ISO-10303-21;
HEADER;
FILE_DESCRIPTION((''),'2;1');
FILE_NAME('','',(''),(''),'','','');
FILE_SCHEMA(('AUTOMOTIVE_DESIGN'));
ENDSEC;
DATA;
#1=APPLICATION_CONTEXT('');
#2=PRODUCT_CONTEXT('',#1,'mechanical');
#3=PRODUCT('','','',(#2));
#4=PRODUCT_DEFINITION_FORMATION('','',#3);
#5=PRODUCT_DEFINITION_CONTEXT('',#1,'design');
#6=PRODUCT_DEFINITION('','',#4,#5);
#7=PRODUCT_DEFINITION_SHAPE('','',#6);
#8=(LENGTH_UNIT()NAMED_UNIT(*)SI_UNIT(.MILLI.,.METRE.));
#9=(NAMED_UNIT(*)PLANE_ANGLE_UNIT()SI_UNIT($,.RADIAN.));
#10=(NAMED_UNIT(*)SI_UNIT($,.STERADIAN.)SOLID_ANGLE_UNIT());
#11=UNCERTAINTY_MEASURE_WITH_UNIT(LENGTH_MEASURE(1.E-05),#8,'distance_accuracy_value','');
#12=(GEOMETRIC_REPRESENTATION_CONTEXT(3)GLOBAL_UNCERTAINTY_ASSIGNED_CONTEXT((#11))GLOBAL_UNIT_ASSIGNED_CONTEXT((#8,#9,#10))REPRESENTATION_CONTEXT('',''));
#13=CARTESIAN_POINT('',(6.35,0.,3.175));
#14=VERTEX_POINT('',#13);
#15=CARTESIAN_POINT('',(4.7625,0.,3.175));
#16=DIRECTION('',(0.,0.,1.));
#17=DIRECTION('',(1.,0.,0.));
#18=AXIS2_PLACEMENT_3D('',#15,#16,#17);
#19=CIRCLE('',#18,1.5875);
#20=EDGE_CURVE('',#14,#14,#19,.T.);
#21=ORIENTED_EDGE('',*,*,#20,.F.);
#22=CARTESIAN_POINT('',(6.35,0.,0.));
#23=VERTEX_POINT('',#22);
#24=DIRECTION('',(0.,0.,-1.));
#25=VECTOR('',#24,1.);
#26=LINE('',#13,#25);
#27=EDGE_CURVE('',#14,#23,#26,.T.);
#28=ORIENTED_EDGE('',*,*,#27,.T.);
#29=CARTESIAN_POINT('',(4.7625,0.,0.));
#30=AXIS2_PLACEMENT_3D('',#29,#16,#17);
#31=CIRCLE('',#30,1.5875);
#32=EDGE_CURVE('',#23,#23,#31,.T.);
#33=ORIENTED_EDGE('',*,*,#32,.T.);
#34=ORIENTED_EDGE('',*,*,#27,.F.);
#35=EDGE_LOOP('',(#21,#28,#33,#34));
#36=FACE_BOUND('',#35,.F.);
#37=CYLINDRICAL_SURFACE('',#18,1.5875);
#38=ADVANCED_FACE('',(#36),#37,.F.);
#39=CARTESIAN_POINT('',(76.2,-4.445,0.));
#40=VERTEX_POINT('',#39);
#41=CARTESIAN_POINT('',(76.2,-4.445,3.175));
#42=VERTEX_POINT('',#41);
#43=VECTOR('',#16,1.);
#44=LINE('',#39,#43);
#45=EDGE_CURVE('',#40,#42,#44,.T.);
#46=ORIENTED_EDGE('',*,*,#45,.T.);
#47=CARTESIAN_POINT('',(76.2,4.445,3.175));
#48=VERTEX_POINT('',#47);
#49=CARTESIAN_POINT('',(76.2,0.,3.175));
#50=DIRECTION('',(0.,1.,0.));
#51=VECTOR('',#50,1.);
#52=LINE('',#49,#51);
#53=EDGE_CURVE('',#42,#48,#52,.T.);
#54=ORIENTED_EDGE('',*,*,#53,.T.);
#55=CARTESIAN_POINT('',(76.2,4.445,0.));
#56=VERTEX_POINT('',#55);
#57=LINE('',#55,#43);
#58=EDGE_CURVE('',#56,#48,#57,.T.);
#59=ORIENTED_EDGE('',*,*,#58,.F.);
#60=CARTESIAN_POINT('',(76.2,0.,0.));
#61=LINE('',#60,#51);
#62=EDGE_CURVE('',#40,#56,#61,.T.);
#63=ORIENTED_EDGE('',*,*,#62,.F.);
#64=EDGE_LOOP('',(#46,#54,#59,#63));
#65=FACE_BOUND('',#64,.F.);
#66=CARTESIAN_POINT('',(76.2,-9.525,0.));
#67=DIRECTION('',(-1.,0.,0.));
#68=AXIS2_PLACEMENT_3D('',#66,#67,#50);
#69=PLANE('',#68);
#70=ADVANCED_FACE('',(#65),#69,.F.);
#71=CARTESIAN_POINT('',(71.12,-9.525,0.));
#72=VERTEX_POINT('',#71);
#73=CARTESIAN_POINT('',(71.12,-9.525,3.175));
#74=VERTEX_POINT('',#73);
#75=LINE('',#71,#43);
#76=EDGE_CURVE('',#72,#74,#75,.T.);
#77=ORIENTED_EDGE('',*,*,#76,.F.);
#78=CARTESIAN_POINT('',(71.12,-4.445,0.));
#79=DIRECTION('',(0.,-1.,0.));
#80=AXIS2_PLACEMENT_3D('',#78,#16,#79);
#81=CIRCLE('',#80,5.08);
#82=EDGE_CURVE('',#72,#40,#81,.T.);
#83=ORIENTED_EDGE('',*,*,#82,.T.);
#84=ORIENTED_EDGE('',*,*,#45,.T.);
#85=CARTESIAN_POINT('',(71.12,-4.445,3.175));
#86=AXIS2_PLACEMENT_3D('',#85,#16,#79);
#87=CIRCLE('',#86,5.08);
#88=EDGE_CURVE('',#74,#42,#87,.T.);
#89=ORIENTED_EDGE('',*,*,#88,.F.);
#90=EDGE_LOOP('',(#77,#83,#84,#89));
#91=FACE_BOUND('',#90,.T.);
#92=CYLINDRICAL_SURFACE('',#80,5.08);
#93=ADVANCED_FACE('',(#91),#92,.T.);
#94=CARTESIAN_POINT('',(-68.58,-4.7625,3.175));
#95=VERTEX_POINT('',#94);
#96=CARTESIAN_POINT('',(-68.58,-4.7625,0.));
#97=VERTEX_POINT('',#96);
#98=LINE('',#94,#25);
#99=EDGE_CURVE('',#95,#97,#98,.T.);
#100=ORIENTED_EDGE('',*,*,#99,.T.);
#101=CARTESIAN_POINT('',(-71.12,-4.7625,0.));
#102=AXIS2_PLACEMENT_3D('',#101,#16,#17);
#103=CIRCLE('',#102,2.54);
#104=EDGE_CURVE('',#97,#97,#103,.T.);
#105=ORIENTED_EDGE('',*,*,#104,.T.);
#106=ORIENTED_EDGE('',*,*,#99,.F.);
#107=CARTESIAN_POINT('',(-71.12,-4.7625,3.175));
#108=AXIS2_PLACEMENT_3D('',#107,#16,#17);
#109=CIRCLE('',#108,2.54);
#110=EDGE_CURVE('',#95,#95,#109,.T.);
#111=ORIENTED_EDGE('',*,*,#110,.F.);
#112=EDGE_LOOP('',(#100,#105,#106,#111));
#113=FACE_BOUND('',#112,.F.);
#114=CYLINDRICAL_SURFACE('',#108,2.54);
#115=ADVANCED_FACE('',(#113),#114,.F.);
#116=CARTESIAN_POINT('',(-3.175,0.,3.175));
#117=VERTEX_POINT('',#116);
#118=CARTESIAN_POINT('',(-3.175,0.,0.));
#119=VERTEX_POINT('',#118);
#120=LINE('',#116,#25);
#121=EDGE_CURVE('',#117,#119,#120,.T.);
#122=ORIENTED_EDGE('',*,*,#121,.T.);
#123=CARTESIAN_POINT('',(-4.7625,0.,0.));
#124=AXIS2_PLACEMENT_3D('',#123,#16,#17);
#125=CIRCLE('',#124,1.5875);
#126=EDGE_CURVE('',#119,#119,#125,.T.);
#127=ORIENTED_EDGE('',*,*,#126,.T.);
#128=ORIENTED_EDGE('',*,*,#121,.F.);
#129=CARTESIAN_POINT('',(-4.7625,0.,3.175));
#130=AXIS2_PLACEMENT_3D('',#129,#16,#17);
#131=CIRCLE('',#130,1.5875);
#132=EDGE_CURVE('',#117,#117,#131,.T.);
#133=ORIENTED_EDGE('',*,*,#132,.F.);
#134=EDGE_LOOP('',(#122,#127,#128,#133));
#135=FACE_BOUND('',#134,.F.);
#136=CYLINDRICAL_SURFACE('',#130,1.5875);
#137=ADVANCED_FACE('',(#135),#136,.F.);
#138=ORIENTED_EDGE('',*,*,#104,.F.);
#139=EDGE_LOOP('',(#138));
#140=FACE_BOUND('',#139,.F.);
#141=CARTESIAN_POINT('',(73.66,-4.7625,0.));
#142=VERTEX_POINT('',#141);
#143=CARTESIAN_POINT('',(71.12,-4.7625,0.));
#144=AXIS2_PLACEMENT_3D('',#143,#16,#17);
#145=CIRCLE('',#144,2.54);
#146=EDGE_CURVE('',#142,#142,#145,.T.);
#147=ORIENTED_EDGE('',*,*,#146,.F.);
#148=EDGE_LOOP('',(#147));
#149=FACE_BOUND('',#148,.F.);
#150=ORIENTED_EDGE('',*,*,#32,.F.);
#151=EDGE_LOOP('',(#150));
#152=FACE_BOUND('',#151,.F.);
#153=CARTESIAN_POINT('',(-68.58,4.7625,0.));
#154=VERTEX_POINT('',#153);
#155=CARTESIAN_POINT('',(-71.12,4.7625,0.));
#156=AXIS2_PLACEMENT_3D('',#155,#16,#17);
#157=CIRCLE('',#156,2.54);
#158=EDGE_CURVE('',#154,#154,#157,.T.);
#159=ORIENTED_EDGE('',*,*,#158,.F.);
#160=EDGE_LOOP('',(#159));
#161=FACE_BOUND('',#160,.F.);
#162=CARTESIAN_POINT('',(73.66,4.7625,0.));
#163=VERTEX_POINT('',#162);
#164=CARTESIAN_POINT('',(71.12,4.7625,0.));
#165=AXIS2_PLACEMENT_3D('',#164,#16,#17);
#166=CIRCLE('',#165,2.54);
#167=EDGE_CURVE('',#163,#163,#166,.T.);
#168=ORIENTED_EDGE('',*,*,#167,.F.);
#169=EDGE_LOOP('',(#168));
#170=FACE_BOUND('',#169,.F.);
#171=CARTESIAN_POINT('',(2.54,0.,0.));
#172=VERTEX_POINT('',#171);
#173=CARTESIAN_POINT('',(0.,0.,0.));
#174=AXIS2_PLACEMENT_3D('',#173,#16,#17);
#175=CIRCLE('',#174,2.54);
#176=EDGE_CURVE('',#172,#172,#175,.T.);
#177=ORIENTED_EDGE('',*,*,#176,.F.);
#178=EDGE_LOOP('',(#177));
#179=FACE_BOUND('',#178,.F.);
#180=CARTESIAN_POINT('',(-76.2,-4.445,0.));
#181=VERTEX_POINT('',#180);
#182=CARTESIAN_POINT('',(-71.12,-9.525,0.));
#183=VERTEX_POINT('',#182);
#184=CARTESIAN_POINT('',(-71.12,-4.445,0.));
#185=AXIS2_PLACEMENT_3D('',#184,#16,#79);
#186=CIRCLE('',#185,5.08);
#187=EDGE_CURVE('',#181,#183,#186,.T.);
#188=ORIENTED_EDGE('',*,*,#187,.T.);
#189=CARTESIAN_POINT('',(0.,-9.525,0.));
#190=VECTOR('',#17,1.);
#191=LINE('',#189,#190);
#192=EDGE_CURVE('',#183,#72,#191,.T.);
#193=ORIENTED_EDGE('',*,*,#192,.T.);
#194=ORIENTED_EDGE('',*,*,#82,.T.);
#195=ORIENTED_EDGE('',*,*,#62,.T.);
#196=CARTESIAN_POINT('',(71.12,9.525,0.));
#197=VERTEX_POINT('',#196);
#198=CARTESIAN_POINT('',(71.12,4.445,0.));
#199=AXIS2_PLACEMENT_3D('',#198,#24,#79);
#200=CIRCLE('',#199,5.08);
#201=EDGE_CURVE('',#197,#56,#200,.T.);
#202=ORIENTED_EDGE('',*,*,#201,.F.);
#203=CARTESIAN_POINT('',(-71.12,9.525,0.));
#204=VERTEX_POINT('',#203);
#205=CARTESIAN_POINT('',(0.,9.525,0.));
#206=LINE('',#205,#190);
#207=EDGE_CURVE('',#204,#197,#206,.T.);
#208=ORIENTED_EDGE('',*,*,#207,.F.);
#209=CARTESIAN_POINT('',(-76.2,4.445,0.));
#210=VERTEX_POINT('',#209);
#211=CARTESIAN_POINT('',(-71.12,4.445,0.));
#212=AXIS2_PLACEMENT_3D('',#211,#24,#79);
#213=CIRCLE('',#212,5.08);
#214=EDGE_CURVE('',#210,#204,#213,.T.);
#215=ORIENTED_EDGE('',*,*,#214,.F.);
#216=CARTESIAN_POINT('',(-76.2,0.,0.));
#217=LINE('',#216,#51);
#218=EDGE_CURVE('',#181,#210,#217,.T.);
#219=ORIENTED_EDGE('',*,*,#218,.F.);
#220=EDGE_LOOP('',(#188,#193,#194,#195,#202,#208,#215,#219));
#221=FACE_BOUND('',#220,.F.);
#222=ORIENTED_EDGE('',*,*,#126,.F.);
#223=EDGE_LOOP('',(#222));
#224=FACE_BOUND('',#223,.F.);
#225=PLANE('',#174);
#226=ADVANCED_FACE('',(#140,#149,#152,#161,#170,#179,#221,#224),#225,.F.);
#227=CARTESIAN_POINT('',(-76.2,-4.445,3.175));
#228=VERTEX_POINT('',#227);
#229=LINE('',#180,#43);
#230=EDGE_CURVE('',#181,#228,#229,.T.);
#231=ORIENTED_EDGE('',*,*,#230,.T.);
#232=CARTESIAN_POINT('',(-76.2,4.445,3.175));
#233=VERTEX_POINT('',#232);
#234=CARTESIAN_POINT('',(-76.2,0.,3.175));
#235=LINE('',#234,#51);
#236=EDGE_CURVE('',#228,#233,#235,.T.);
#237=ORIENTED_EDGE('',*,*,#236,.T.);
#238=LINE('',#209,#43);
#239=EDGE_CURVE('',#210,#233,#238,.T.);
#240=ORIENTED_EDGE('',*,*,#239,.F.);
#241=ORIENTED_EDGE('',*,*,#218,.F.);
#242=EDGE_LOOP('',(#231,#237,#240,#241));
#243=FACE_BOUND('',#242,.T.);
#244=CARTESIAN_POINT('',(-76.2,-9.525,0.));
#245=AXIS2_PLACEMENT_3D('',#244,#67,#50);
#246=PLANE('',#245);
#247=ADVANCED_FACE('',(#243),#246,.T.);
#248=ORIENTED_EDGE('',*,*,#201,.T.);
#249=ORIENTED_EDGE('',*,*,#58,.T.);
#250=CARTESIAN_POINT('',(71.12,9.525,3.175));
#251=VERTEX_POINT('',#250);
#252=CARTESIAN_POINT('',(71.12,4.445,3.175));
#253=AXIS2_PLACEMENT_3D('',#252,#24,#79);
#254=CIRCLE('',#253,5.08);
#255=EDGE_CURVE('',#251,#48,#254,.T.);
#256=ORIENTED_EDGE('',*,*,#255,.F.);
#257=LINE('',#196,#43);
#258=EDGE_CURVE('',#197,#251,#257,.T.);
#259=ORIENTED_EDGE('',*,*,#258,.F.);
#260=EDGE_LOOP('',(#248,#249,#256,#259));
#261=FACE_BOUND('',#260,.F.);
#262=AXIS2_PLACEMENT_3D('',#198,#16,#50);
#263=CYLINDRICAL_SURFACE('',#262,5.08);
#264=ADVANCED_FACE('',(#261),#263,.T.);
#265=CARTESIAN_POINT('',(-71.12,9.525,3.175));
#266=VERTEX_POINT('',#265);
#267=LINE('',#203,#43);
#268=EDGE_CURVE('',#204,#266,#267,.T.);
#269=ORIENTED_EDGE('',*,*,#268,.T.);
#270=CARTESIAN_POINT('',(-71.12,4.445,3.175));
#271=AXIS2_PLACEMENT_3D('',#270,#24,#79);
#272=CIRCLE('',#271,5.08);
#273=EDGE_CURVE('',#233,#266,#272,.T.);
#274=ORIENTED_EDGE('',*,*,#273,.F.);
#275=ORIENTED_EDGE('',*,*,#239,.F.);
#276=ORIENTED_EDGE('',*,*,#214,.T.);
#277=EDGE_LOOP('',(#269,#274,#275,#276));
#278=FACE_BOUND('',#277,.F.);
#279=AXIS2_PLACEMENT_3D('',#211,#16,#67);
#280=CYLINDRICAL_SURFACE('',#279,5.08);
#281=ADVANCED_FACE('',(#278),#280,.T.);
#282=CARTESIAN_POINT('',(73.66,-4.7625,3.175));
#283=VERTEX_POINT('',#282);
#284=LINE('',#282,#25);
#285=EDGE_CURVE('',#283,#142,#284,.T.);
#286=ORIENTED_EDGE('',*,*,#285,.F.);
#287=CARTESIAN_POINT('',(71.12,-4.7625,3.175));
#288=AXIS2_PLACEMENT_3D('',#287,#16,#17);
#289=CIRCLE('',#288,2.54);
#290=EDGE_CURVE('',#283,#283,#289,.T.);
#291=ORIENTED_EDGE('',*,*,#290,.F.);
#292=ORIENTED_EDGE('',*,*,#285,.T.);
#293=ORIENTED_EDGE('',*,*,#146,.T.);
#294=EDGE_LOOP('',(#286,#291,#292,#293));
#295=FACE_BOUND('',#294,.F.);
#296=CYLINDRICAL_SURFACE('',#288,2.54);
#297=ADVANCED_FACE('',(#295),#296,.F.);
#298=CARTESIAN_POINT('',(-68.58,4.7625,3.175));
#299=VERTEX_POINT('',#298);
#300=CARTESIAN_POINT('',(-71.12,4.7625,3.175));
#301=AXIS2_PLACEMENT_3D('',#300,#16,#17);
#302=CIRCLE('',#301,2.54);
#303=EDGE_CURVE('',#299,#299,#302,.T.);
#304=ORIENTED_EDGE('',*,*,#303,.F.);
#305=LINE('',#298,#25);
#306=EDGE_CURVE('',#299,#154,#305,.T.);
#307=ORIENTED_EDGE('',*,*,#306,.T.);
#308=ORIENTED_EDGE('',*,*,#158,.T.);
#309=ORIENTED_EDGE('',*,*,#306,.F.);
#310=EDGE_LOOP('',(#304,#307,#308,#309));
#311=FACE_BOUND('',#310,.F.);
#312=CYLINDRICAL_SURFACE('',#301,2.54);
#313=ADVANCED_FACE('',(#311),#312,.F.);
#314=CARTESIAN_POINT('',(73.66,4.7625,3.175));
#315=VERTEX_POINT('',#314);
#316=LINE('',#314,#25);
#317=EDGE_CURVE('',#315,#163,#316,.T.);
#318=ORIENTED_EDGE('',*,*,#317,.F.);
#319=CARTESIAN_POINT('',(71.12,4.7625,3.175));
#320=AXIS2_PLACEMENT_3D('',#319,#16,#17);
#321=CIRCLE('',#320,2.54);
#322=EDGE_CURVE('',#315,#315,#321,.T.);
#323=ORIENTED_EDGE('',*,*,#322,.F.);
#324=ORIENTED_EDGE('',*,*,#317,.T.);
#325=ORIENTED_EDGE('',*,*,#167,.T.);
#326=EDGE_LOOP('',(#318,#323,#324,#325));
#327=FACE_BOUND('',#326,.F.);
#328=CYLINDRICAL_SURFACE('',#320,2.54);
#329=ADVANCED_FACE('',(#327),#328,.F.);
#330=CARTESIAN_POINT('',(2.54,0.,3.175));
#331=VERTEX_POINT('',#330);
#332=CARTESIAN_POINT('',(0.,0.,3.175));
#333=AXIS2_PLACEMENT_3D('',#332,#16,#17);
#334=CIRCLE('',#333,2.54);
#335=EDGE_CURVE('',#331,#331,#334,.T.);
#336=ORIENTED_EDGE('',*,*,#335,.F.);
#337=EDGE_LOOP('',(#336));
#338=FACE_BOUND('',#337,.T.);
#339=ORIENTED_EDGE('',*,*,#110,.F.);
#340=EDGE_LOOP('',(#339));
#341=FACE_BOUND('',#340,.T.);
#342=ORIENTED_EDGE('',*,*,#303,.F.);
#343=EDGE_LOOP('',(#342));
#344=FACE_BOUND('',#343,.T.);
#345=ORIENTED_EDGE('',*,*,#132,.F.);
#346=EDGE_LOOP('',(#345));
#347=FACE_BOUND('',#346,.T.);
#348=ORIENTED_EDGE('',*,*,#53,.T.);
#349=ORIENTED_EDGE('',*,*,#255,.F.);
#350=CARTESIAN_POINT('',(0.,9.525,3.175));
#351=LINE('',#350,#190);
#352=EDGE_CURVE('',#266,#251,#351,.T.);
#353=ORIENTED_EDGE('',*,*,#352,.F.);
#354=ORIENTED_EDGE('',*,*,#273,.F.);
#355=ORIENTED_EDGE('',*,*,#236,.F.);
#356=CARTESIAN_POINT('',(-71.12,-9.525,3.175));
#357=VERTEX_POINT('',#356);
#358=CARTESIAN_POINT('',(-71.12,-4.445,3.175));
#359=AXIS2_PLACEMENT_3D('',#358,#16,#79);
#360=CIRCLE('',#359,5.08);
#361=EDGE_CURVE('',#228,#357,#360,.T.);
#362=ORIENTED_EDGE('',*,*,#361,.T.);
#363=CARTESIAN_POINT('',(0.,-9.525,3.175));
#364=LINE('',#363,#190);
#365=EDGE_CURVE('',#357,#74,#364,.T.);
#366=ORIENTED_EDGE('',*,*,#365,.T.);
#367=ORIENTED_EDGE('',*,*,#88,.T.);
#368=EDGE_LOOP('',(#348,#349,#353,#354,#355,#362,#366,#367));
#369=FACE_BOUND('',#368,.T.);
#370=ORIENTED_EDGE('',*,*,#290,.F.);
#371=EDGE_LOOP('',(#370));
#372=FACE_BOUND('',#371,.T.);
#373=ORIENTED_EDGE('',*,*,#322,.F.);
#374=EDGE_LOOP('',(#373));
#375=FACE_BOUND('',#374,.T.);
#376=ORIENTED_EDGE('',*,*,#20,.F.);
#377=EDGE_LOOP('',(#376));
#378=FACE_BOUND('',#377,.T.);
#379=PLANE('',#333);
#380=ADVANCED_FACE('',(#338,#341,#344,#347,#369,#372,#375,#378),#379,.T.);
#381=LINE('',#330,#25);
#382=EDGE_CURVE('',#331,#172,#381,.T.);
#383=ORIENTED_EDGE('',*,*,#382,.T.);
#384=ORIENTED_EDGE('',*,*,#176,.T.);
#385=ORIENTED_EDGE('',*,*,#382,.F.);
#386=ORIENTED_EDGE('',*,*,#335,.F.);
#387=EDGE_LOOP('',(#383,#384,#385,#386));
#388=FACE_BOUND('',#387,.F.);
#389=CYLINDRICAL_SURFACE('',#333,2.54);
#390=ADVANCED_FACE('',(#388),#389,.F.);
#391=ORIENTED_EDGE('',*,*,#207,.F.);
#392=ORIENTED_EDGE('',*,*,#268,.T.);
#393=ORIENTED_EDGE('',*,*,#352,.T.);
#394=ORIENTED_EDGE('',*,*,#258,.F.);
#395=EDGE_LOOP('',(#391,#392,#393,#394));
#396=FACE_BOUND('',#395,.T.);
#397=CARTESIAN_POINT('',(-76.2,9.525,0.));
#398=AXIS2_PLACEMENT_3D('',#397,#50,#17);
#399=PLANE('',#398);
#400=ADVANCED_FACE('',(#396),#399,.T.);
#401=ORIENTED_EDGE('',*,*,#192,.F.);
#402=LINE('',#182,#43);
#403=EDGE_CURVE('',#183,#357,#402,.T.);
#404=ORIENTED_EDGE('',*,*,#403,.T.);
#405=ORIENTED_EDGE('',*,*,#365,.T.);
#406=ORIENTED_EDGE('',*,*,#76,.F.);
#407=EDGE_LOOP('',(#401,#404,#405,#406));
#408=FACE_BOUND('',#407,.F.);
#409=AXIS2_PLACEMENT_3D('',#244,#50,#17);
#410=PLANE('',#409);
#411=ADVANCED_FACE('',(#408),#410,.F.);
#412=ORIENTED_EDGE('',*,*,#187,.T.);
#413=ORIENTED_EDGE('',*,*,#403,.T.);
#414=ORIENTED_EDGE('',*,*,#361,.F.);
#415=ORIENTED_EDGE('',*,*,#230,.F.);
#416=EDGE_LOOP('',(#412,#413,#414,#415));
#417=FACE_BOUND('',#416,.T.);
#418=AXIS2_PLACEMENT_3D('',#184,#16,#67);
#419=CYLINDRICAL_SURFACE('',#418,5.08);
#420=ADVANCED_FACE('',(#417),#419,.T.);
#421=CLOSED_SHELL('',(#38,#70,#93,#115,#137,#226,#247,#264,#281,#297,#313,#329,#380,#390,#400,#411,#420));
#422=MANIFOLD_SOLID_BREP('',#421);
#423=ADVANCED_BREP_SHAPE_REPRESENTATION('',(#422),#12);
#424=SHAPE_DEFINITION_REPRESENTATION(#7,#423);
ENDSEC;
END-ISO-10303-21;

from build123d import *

# Parameters (mm, degrees)
F0_W     = 152.4
F0_H     = 19.05
F1_DEPTH = 3.175
F2_R     = 2.54
F3_DEPTH = 3.176
F4_R     = 5.08
F5_R     = 2.54
F5_R_2   = 1.5875
F6_DEPTH = 3.176


with BuildPart() as f1:
    # F0 (on Top) → F1 (new body)
    with BuildSketch(Plane.XY):
        Rectangle(F0_W, F0_H)
    extrude(amount=F1_DEPTH)

    # F2 (on face) → F3 (cut, through all)
    with BuildSketch(Plane.XY.offset(3.175)):
        with Locations((-71.12, 4.7625)):
            Circle(F2_R)
        with Locations((-71.12, -4.7625)):
            Circle(F2_R)
        with Locations((71.12, 4.7625)):
            Circle(F2_R)
        with Locations((71.12, -4.7625)):
            Circle(F2_R)
    extrude(amount=-F3_DEPTH, mode=Mode.SUBTRACT)

    # F4
    f4_edges = [f1.edges().sort_by_distance(p)[0] for p in [
        (-76.2, 9.525, 1.5875),
        (-76.2, -9.525, 1.5875),
        (76.2, 9.525, 1.5875),
        (76.2, -9.525, 1.5875),
    ]]
    fillet(f4_edges, radius=F4_R)

    # F5 (on face) → F6 (cut, through all)
    with BuildSketch(Plane.XY.offset(3.175)):
        Circle(F5_R)
        with Locations((-4.7625, 0)):
            Circle(F5_R_2)
        with Locations((4.7625, 0)):
            Circle(F5_R_2)
    extrude(amount=-F6_DEPTH, mode=Mode.SUBTRACT)


solid = f1.part
